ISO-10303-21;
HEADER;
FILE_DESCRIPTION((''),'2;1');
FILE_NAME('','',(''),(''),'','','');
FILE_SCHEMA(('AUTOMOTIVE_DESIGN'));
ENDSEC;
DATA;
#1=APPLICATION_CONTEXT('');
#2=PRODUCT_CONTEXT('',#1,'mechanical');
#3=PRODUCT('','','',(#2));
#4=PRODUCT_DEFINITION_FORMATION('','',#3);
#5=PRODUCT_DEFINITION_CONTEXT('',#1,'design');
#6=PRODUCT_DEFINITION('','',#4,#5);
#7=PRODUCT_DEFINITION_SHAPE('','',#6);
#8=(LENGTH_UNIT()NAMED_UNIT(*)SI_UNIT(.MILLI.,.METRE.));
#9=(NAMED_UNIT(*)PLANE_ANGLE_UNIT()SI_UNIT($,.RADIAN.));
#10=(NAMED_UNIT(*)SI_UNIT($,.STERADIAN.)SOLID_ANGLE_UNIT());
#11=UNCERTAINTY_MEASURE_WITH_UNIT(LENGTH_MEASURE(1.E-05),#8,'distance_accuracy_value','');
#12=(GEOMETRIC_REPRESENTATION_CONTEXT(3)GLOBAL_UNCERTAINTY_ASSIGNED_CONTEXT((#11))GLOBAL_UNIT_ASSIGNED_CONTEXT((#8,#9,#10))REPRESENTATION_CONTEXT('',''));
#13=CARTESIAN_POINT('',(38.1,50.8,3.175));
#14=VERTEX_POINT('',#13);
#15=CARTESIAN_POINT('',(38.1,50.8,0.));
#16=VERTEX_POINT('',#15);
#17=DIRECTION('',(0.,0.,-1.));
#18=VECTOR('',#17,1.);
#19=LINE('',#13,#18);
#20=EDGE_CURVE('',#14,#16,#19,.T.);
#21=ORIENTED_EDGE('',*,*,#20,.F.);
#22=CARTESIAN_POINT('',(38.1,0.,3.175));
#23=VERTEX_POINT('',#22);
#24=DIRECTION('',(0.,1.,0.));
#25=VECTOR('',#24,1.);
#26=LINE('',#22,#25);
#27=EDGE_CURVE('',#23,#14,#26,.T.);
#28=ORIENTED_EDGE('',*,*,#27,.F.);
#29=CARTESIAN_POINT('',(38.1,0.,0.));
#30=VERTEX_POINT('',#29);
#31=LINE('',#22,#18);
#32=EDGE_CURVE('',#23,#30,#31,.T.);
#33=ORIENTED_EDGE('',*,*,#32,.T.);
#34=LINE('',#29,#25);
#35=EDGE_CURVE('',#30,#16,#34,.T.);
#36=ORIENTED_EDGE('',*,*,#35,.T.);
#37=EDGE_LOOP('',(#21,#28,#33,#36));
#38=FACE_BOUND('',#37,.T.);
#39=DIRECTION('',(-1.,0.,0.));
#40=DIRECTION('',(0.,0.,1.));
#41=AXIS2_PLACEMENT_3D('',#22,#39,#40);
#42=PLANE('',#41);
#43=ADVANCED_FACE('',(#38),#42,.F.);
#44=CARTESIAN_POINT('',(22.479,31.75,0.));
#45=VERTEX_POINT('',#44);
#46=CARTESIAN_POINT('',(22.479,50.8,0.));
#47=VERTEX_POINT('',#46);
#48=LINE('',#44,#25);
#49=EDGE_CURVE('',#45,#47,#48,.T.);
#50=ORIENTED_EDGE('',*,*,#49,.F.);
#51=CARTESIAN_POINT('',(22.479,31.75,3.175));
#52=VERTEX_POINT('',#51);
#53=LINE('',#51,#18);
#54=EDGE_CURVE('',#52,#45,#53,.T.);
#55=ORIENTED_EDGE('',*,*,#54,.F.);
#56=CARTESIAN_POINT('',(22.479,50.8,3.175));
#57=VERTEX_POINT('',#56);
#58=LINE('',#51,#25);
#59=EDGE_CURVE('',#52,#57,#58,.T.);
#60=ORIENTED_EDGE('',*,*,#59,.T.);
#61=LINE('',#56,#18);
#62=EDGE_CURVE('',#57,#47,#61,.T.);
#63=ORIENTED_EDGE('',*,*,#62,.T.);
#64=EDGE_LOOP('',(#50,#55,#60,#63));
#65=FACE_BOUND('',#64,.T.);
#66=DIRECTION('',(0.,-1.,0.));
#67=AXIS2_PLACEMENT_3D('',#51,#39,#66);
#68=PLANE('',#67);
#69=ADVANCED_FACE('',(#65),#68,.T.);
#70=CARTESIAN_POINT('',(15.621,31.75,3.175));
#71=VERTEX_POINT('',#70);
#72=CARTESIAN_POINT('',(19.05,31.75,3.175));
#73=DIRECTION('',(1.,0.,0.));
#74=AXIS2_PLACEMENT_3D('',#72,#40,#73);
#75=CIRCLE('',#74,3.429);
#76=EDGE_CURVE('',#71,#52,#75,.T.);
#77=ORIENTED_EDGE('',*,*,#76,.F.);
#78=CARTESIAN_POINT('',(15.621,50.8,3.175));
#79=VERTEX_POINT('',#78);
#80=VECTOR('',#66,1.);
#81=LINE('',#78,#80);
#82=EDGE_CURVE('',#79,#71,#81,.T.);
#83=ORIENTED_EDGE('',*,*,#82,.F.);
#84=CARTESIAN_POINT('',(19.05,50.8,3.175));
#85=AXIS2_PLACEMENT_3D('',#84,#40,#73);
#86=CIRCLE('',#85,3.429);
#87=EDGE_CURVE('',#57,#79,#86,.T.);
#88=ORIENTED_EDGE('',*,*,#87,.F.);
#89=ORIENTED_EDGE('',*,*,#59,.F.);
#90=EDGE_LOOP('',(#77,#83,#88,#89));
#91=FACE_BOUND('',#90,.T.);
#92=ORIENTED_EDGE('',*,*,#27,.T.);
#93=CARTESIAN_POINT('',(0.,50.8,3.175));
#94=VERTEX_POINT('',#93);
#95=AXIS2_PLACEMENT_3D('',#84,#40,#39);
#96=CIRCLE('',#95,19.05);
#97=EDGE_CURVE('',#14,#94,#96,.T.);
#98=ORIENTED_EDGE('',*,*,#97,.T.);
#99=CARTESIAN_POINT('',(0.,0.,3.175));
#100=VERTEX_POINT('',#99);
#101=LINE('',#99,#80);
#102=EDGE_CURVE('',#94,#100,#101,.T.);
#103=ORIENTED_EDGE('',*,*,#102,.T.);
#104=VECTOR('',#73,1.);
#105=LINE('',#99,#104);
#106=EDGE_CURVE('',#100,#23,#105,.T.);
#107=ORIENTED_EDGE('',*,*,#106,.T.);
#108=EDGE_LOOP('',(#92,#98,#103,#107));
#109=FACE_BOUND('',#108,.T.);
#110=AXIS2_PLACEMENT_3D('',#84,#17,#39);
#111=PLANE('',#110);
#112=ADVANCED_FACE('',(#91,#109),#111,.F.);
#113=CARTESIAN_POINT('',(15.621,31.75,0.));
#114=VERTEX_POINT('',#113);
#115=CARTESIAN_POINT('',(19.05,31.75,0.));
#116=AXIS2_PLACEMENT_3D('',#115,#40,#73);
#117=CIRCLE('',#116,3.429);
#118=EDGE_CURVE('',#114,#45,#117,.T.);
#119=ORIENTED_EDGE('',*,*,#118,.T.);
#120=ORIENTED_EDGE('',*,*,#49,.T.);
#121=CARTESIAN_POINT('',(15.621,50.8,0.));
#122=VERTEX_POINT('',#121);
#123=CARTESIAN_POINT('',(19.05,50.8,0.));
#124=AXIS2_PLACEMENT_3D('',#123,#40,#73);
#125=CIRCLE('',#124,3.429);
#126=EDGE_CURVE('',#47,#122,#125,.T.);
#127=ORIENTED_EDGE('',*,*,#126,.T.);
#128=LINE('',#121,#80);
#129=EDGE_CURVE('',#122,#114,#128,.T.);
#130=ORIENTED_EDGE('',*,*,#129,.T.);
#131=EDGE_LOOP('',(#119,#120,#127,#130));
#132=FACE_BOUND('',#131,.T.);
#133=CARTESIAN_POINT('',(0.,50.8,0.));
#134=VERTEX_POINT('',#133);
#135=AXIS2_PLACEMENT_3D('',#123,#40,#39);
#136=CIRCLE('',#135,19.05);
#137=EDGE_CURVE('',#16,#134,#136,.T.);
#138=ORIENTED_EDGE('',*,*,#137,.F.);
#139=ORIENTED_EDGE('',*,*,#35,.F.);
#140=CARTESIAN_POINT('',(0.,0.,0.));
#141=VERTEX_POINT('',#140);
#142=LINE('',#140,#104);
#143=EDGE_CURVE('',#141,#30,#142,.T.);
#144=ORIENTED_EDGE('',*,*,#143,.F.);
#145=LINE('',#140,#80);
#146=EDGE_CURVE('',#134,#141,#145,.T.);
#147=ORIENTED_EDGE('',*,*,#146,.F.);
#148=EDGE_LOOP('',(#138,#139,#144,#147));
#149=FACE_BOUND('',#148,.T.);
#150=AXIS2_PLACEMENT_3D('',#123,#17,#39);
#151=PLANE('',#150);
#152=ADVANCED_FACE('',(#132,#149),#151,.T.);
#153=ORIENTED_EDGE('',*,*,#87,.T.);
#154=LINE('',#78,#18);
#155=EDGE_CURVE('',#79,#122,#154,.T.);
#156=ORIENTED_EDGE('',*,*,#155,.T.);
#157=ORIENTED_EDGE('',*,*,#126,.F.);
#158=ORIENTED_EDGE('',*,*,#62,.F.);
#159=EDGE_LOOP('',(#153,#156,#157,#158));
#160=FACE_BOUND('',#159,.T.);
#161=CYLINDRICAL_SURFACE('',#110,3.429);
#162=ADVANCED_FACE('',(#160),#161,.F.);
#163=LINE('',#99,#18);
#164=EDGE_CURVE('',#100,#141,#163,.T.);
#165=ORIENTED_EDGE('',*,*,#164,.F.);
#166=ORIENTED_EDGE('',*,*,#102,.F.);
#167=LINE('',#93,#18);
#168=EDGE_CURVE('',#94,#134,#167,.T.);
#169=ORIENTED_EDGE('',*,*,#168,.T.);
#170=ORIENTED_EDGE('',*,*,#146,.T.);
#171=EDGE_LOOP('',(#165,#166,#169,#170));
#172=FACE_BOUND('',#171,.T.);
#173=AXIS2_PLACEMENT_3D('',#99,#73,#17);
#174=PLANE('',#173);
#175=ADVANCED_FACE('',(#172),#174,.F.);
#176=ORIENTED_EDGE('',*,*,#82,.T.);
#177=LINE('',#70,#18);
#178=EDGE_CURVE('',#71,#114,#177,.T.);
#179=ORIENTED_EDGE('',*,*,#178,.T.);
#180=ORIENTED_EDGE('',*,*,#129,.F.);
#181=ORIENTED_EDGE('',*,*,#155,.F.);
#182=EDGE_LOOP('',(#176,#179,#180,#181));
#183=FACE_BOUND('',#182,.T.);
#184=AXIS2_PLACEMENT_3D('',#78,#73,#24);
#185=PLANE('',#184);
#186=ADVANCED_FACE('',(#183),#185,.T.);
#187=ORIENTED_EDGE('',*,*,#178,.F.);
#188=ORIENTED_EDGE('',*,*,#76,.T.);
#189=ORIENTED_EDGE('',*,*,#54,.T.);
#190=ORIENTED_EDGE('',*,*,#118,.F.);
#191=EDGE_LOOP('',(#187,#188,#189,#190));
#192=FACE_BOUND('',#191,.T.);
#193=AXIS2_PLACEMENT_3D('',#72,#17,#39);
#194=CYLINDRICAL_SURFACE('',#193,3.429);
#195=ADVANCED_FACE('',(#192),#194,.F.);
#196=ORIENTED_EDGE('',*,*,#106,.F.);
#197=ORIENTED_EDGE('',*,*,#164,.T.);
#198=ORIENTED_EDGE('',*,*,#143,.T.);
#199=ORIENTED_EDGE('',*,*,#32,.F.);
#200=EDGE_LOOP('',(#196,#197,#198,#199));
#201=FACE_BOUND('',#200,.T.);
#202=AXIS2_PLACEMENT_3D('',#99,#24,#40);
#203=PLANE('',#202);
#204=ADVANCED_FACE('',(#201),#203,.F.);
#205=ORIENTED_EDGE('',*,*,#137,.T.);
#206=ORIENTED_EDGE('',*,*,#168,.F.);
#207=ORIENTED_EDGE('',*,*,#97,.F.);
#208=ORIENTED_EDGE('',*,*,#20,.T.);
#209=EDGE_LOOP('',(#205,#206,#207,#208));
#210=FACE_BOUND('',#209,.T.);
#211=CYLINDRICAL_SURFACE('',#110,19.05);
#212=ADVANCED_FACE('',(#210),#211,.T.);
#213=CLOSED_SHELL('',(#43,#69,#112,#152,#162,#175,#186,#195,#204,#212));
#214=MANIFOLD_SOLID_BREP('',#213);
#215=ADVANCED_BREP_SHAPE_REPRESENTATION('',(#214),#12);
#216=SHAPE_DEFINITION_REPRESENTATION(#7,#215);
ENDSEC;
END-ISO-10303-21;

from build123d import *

# Parameters (mm, degrees)
BOSS_EXTRUDE1_DEPTH = 3.175


with BuildPart() as part:
    # Sketch1 → Boss-Extrude1 (new body)
    with BuildSketch(Plane.XY):
        with BuildLine():
            Line((0, 0), (38.1, 0))
            Line((38.1, 0), (38.1, 50.8))
            ThreePointArc((38.1, 50.8), (19.05, 69.85), (0, 50.8))
            Line((0, 50.8), (0, 0))
        make_face()
        with BuildLine():
            Line((15.621, 50.8), (15.621, 31.75))
            ThreePointArc((15.621, 31.75), (19.05, 28.321), (22.479, 31.75))
            Line((22.479, 31.75), (22.479, 50.8))
            ThreePointArc((22.479, 50.8), (19.05, 54.229), (15.621, 50.8))
        make_face(mode=Mode.SUBTRACT)
    extrude(amount=BOSS_EXTRUDE1_DEPTH)


solid = part.part
